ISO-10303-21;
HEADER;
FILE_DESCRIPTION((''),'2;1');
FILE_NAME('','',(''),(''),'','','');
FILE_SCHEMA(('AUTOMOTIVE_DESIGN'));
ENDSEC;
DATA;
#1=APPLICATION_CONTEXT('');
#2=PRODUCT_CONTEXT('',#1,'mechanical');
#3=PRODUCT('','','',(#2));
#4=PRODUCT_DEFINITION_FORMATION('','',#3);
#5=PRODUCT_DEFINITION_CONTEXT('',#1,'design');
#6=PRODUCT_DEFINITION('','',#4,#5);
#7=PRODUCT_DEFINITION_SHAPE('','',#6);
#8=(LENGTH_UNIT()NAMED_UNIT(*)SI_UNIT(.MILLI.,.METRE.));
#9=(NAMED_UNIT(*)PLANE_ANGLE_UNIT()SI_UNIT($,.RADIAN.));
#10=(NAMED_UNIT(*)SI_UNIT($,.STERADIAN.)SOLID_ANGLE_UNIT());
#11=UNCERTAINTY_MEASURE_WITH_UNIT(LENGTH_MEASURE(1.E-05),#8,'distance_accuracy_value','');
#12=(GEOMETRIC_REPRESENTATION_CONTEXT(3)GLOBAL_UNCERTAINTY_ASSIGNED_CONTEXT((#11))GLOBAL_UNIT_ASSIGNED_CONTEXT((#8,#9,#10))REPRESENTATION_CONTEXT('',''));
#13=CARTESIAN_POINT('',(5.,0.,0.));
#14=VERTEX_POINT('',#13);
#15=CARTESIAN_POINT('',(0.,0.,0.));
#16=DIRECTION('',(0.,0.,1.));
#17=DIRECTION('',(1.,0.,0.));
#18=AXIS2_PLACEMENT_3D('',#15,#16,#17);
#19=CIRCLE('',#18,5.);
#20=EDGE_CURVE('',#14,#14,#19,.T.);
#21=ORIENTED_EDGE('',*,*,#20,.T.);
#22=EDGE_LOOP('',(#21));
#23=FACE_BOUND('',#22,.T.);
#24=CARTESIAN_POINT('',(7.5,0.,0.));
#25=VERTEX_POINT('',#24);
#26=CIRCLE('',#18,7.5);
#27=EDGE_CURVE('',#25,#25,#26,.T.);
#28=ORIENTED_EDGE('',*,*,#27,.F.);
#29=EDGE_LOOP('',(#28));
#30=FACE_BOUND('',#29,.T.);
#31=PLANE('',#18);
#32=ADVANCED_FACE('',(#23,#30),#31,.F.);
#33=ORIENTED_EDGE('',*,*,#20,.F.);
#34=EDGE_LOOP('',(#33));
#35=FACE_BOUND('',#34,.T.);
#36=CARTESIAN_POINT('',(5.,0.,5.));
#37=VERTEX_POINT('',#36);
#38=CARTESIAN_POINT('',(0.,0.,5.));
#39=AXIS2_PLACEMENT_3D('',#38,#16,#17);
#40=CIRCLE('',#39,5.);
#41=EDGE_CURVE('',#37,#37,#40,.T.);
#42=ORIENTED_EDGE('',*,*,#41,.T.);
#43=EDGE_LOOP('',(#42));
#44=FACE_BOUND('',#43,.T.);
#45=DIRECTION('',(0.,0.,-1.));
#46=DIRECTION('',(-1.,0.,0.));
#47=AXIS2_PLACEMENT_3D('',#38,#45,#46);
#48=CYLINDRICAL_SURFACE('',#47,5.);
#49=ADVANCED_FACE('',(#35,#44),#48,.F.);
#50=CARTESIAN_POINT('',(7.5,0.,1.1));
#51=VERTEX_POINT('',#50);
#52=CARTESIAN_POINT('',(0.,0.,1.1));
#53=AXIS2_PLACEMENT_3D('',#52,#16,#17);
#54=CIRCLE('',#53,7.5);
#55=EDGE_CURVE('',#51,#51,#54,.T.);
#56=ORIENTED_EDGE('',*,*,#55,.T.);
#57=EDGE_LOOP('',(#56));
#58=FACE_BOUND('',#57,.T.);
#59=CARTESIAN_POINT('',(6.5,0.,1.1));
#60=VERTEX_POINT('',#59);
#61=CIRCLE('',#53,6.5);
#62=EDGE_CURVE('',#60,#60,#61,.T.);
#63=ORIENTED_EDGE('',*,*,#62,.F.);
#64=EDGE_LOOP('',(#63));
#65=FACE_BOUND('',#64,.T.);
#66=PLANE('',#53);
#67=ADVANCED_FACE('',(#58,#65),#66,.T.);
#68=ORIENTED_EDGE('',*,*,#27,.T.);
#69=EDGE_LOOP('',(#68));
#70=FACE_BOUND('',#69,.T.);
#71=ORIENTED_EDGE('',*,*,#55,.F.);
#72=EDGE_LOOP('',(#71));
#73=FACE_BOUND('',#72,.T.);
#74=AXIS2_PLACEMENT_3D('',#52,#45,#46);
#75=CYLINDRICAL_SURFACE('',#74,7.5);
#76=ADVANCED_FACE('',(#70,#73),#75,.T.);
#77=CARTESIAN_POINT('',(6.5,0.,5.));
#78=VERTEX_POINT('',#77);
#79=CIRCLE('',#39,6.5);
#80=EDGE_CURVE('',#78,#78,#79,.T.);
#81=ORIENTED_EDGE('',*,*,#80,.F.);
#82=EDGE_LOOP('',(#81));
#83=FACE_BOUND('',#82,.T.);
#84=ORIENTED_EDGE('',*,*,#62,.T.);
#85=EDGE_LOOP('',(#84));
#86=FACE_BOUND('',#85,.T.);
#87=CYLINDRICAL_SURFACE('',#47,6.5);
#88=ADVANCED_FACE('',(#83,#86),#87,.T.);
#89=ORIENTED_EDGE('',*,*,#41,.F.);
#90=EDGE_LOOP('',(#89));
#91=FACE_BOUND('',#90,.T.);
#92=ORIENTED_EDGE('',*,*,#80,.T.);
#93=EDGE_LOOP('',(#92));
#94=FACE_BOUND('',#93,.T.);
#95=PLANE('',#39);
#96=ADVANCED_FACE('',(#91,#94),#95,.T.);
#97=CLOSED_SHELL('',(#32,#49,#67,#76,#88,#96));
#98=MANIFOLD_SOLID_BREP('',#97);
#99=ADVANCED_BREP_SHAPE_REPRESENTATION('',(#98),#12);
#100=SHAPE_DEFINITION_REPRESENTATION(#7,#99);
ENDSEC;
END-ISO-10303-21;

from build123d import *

# Parameters (mm, degrees)
SKETCH_1_R      = 6.5
SKETCH_1_R_2    = 5
EXTRUDE_1_DEPTH = 5
SKETCH_2_R      = 7.5
SKETCH_2_R_2    = 6.5
EXTRUDE_2_DEPTH = 1.1


with BuildPart() as part:
    # 草图1 → 凸台-拉伸1 (new body)
    with BuildSketch(Plane.XY):
        Circle(SKETCH_1_R)
        Circle(SKETCH_1_R_2, mode=Mode.SUBTRACT)
    extrude(amount=EXTRUDE_1_DEPTH)

    # 草图2 → 凸台-拉伸2 (add)
    with BuildSketch(Plane.XY):
        Circle(SKETCH_2_R)
        Circle(SKETCH_2_R_2, mode=Mode.SUBTRACT)
    extrude(amount=EXTRUDE_2_DEPTH)


solid = part.part
